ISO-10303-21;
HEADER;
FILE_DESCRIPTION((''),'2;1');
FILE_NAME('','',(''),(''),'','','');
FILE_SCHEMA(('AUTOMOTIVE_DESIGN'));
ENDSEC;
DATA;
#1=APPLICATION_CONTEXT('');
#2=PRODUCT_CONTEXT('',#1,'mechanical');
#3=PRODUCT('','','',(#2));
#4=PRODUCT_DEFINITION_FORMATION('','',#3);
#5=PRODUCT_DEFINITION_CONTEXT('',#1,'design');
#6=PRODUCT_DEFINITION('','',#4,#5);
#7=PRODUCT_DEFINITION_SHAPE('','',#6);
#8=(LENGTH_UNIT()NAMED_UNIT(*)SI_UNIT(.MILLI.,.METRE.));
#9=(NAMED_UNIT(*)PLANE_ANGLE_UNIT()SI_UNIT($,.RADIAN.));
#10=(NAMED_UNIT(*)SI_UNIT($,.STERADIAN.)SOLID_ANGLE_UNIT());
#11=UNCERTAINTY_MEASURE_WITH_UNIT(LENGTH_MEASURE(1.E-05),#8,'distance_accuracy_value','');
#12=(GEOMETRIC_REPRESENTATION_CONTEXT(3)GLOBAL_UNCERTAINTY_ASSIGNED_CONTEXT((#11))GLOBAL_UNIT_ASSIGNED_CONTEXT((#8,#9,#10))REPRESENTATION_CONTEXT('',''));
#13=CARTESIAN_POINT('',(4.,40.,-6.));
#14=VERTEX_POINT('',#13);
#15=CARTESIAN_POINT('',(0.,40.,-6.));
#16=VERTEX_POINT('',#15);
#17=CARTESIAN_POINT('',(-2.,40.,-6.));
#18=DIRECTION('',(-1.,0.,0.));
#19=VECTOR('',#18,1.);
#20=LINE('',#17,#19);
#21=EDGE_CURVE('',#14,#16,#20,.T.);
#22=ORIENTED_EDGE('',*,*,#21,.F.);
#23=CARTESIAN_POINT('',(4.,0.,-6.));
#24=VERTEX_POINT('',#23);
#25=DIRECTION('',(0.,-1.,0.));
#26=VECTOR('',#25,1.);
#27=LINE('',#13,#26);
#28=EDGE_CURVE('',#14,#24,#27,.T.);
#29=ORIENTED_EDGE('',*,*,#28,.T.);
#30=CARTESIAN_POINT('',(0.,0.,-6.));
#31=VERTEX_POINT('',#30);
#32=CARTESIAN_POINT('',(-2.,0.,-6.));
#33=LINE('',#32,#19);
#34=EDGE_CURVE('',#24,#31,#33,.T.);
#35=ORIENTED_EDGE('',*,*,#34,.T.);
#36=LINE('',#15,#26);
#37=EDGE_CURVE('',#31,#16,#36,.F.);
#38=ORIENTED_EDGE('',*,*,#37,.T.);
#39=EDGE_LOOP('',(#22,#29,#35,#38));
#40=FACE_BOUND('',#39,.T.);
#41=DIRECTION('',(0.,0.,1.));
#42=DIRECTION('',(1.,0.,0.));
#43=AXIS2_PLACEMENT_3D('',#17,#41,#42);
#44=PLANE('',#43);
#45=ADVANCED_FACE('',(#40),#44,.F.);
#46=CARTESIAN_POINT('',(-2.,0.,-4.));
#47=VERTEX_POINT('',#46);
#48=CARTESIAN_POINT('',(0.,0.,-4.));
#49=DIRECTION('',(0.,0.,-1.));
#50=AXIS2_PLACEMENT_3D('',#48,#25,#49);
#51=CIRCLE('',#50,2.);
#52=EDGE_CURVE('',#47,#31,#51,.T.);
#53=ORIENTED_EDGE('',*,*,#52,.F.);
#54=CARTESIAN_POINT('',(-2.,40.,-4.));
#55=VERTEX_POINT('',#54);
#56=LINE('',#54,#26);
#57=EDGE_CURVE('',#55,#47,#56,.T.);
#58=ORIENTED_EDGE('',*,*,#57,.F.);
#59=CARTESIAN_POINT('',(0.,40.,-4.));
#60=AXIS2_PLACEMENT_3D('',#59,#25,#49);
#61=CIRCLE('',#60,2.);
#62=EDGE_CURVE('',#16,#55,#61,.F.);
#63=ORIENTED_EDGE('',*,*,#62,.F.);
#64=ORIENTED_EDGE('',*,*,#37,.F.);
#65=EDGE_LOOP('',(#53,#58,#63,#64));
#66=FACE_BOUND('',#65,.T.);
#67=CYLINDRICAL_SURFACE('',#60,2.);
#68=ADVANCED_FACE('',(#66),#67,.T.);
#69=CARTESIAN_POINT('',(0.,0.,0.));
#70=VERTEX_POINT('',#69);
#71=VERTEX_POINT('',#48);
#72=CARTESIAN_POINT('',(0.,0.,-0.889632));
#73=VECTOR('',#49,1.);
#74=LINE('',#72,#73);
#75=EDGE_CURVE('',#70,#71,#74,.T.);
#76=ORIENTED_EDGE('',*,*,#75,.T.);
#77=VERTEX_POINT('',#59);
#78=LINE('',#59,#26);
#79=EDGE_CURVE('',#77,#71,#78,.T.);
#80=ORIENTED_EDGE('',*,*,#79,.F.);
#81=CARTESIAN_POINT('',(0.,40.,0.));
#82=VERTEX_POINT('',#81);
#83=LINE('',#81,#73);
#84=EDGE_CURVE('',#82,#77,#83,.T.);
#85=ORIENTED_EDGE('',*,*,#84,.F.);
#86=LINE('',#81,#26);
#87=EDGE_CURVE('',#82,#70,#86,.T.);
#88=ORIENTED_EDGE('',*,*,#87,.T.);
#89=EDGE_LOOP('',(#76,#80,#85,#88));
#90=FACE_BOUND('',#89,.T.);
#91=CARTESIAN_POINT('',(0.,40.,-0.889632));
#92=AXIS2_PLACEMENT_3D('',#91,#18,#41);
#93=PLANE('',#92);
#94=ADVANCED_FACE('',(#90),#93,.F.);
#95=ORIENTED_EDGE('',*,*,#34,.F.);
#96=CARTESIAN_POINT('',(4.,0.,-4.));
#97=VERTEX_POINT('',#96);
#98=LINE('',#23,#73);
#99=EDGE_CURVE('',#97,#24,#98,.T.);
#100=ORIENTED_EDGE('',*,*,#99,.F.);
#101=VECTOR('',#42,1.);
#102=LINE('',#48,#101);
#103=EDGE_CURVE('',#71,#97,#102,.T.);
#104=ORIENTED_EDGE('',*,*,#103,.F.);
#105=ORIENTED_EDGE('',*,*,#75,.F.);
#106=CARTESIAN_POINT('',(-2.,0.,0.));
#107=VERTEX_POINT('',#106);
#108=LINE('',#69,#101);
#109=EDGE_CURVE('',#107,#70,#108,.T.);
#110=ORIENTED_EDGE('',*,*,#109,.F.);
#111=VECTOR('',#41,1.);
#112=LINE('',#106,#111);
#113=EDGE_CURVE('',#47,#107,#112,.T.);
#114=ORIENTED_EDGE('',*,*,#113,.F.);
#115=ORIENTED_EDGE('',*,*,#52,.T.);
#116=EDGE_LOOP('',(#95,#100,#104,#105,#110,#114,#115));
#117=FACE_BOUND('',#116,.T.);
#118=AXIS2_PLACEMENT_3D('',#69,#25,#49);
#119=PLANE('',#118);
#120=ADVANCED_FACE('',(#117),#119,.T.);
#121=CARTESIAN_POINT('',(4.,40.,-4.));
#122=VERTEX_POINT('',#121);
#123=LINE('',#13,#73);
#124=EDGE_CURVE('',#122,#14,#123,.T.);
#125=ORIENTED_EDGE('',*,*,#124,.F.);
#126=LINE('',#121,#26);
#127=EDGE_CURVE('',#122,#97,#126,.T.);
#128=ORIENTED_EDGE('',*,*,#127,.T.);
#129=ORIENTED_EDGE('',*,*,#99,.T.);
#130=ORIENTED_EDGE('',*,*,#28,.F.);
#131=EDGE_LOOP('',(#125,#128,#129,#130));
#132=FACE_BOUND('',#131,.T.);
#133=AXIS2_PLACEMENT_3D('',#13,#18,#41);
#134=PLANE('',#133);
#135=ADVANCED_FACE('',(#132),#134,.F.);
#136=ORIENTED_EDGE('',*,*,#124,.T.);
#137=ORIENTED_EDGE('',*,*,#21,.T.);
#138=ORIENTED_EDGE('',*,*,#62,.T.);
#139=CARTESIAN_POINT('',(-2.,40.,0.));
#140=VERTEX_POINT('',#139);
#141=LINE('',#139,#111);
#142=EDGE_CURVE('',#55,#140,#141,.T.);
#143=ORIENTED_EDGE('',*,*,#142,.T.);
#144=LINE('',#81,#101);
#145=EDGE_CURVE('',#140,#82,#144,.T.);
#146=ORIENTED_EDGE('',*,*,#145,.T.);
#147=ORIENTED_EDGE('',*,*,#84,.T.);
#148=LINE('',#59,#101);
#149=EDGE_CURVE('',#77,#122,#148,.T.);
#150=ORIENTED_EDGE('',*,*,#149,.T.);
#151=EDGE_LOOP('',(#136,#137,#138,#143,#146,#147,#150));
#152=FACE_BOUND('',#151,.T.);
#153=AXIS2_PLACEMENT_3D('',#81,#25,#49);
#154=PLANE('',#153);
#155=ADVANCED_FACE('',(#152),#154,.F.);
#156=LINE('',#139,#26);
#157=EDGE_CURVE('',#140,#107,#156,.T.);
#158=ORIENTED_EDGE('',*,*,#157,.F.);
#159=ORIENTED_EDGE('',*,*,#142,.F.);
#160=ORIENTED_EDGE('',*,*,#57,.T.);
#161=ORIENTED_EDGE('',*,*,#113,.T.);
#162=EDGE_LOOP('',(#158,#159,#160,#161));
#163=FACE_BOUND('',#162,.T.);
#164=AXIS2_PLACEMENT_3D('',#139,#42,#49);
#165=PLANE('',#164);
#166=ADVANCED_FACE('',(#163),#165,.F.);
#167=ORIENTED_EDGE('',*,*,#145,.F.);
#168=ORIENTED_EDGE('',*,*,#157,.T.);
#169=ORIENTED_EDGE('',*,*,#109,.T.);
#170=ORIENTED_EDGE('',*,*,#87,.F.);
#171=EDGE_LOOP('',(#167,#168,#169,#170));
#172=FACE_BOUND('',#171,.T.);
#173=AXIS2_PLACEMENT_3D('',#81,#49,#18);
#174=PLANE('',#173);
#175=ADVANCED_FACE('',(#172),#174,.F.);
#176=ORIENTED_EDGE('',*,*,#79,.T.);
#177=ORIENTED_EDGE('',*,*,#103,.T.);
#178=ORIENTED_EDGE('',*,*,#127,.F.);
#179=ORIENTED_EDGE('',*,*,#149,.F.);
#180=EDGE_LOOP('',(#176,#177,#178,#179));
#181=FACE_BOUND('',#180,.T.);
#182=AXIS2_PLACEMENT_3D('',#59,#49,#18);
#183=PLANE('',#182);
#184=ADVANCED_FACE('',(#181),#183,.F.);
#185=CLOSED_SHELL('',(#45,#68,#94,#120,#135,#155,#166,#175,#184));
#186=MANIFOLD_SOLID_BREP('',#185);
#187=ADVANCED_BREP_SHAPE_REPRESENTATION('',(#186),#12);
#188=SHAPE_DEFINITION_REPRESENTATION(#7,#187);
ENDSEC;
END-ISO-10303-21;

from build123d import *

# Parameters (mm, degrees)
BOSS_EXTRUDE1_DEPTH = 40
FILLET1_R           = 2


with BuildPart() as part:
    # Sketch1 → Boss-Extrude1 (new body)
    with BuildSketch(Plane(origin=(0, 0, 0), x_dir=(1, 0, 0), z_dir=(0, 1, 0))):
        Polygon((0, 0), (-2, 0), (-2, 6), (4, 6), (4, 4), (0, 4), (0, 0.889632107), align=None)
    extrude(amount=BOSS_EXTRUDE1_DEPTH)

    # Fillet1
    fillet1_edges = [part.edges().sort_by_distance(p)[0] for p in [
        (-2, 20, -6),
    ]]
    fillet(fillet1_edges, radius=FILLET1_R)


solid = part.part
